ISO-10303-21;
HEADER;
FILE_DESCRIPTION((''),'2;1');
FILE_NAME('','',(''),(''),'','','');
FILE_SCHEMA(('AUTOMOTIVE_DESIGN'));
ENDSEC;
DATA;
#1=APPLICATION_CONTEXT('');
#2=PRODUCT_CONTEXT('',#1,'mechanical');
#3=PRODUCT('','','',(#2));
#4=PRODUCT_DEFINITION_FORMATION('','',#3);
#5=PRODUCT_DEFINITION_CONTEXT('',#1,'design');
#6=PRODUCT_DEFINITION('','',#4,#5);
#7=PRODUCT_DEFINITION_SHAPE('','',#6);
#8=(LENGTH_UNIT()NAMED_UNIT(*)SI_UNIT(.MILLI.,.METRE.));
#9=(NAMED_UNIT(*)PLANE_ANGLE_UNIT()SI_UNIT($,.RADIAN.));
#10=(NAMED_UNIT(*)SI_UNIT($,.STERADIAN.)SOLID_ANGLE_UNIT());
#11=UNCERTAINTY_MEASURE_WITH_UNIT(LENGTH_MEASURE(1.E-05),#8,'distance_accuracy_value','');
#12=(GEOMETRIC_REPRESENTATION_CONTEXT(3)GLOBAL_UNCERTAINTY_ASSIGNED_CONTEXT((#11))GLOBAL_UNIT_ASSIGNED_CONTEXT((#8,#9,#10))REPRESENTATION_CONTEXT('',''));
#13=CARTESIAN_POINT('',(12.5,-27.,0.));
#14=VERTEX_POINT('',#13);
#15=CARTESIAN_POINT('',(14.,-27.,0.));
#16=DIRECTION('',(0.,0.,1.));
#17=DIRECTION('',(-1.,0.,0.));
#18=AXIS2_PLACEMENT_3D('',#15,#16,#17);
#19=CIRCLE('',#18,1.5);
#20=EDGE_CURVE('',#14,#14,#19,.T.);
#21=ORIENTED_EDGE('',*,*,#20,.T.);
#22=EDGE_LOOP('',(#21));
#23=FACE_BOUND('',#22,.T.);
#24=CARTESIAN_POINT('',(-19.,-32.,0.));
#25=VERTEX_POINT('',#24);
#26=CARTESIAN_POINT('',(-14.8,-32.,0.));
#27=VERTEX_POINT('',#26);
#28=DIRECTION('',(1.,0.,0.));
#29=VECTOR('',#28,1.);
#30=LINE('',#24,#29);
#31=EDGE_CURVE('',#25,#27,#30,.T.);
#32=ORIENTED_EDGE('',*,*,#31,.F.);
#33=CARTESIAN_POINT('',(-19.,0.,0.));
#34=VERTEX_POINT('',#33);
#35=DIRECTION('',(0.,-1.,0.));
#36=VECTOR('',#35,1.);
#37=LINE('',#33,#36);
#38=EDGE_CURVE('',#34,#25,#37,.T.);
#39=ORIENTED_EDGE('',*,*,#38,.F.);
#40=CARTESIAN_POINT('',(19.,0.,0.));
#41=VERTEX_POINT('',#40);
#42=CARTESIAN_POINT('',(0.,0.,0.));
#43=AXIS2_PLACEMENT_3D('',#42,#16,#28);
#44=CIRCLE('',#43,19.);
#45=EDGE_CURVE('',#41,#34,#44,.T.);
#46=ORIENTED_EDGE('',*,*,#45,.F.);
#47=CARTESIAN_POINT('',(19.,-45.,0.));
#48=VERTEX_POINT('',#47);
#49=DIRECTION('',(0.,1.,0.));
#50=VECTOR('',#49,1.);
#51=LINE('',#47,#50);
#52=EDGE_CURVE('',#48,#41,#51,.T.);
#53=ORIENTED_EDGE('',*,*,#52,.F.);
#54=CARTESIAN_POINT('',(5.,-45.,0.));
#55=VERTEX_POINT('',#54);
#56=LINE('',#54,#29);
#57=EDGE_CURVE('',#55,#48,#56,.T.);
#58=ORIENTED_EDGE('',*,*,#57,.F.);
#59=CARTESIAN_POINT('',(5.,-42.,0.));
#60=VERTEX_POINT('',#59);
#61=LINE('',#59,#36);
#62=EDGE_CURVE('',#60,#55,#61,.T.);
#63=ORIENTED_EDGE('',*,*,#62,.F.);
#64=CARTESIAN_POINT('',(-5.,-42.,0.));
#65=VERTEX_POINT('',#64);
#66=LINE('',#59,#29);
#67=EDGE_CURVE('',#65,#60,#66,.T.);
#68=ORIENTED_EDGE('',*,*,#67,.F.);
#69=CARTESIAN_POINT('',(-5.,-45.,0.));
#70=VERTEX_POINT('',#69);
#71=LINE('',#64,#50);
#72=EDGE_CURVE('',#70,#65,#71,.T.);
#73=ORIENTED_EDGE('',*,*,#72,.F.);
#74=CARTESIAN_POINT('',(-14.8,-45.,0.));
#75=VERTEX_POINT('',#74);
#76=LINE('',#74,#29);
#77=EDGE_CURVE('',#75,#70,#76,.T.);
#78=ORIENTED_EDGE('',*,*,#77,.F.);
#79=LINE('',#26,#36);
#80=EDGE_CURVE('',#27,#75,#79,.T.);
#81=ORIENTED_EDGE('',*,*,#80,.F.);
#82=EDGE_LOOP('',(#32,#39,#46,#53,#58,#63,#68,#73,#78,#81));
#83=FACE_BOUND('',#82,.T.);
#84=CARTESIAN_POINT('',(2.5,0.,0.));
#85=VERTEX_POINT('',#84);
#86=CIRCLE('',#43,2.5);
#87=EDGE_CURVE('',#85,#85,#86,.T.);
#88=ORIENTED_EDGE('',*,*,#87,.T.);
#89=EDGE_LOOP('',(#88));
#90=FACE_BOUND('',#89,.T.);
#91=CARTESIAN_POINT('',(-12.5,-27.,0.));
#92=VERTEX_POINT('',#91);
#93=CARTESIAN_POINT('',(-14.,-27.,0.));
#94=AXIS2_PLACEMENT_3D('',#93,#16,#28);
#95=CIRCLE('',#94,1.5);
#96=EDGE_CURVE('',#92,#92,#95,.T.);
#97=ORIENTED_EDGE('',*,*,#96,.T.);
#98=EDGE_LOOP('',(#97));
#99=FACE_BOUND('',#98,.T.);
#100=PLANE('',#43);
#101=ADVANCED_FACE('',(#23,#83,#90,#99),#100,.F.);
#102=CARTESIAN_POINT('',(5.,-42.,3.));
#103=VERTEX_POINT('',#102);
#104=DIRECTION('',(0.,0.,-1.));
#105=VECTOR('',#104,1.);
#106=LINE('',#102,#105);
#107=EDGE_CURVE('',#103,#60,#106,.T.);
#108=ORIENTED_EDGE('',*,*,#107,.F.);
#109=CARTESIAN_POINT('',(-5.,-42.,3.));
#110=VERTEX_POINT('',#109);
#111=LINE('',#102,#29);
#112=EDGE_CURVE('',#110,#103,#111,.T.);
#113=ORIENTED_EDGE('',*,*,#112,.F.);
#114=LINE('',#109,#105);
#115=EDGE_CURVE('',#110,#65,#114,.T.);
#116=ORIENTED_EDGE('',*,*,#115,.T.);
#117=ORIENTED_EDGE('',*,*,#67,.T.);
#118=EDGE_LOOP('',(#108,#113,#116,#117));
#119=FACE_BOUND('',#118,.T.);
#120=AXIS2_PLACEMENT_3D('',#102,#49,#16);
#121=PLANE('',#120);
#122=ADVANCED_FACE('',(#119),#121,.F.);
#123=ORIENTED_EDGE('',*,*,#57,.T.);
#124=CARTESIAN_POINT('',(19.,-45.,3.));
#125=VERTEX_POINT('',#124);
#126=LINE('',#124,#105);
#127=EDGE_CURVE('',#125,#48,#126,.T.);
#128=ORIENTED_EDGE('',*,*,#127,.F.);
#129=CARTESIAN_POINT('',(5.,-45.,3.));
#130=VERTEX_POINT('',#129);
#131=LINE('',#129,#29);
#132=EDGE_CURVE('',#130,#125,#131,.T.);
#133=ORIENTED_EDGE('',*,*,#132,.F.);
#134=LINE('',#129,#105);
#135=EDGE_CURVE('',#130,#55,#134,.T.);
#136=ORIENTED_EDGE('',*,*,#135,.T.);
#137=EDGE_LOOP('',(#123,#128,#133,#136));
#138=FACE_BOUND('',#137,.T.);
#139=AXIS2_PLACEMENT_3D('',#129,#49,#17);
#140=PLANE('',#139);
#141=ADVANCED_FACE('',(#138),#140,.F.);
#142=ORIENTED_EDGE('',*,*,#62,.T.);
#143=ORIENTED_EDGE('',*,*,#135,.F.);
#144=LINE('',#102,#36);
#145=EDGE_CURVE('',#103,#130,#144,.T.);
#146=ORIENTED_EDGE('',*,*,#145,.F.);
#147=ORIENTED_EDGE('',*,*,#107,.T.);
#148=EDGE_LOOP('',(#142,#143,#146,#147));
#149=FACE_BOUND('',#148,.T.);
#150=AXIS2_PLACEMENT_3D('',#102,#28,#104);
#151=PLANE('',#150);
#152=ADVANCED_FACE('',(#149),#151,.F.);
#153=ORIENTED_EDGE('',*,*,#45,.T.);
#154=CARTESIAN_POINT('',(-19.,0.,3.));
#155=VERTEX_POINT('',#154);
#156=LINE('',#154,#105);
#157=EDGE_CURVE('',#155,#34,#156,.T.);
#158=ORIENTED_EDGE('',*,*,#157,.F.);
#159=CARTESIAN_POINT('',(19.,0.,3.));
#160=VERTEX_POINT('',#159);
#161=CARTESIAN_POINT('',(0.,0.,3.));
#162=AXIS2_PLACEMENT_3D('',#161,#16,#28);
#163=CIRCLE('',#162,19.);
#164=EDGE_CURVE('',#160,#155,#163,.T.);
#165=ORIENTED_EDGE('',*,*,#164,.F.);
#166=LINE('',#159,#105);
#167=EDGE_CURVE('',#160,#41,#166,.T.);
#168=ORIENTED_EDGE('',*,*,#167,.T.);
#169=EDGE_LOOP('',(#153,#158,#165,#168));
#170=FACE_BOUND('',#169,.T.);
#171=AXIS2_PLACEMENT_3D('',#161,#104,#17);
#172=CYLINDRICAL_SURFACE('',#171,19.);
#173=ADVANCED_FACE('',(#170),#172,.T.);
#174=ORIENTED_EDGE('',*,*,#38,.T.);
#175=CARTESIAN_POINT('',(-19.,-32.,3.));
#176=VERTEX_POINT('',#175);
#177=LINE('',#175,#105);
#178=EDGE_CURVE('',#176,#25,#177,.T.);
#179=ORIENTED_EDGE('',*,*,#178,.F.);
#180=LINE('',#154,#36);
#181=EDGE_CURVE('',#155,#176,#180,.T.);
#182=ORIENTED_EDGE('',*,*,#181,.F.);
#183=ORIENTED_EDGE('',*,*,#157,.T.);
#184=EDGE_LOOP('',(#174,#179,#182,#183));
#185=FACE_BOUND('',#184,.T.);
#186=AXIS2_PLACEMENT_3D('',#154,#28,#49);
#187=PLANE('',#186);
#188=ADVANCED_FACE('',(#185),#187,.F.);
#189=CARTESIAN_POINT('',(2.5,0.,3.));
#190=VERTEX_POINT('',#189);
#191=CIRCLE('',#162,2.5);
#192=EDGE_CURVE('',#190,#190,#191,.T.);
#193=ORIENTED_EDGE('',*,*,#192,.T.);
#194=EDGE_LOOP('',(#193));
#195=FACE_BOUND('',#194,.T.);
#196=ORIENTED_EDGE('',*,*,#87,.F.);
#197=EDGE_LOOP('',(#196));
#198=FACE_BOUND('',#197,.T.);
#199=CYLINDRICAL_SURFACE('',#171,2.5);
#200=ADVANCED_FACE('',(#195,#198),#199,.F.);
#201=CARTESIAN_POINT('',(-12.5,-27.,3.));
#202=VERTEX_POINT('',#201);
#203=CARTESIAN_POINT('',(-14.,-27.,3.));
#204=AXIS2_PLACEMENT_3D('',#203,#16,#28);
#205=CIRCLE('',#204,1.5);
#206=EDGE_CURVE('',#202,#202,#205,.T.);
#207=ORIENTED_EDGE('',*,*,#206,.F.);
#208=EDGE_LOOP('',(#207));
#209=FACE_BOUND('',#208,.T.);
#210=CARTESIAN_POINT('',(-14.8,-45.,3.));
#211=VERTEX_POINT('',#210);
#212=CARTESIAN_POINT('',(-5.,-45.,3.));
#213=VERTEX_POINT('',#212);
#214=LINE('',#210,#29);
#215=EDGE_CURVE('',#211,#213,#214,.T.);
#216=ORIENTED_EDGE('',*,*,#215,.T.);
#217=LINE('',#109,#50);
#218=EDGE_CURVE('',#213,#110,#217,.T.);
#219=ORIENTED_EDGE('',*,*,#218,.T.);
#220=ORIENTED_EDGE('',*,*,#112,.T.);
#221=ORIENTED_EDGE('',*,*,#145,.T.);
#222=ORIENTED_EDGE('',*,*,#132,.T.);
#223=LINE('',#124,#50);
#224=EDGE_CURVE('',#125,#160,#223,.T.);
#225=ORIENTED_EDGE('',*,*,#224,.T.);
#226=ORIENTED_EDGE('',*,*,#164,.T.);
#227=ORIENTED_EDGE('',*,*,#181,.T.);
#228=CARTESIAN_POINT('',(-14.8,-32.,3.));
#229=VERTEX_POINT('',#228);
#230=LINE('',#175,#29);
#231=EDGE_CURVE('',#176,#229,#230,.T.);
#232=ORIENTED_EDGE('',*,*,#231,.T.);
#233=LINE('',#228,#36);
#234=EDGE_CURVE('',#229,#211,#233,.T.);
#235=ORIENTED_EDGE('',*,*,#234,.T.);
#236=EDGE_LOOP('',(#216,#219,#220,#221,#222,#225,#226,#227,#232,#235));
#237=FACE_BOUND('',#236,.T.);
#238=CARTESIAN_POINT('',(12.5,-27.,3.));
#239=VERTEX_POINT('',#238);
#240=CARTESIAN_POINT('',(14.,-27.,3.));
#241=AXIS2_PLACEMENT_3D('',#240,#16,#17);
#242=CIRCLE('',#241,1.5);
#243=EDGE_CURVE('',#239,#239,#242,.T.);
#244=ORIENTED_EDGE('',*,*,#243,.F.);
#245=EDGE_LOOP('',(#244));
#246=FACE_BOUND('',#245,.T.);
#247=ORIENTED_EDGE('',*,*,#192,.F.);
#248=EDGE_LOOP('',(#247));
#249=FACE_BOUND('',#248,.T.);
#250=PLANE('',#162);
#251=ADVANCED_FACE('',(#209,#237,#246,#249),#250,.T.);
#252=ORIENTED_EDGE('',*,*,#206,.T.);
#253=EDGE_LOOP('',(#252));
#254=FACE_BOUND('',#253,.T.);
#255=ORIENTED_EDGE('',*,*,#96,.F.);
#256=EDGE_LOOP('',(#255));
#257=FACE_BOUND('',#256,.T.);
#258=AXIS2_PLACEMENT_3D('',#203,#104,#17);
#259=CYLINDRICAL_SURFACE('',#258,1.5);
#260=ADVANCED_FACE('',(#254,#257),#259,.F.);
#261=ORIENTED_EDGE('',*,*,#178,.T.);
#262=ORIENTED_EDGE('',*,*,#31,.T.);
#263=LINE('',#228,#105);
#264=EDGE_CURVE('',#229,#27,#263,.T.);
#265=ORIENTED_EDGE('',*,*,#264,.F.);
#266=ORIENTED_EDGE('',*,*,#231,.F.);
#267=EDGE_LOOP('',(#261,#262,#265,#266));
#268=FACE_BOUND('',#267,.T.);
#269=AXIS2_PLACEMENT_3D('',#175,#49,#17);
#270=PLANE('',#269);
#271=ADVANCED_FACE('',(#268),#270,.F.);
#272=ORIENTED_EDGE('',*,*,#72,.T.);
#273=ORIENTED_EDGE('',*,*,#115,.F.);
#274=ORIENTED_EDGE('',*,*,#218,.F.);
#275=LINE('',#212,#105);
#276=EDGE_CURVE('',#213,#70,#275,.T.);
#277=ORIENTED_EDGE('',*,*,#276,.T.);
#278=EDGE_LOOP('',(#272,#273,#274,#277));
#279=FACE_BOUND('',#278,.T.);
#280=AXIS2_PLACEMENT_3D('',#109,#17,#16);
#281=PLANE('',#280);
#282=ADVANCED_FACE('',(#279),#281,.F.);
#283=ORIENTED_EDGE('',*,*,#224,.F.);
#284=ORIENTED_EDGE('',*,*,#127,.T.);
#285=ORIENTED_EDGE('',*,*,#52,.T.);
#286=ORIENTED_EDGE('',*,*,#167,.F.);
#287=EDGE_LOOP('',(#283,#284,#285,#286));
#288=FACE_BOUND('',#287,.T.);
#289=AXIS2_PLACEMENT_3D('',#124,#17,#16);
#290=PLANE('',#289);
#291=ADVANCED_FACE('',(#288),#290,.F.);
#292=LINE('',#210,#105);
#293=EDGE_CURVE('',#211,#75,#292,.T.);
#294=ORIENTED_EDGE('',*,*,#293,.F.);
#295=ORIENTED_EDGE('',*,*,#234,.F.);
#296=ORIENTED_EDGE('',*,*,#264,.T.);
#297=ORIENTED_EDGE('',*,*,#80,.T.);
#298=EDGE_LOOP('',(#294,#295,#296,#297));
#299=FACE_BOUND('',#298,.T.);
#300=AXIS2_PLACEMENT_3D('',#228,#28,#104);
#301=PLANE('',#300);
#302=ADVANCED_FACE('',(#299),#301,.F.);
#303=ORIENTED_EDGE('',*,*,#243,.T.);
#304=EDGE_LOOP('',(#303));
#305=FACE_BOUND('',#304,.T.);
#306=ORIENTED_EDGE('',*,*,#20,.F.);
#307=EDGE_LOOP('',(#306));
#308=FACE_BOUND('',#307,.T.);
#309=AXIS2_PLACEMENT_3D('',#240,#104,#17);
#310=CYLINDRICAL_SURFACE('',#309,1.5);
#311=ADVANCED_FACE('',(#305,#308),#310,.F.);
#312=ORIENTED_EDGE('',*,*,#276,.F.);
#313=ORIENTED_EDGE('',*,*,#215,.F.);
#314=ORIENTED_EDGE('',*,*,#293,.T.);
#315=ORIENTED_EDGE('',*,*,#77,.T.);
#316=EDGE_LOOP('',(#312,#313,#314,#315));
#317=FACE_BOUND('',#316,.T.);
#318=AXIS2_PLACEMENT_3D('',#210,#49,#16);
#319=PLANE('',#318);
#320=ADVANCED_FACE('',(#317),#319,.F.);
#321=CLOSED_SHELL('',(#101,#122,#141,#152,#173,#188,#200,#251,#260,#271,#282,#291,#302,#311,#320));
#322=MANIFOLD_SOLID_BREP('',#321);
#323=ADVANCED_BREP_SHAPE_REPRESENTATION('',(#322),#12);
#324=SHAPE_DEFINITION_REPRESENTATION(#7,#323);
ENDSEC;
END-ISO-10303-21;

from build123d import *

# Parameters (mm, degrees)
SKETCH1_R           = 2.5
SKETCH1_R_2         = 1.5
BOSS_EXTRUDE1_DEPTH = 3


with BuildPart() as part:
    # Sketch1 → Boss-Extrude1 (new body)
    with BuildSketch(Plane.XY):
        with BuildLine():
            Line((-19, 0), (-19, -32))
            Line((-19, -32), (-14.8, -32))
            Line((-14.8, -32), (-14.8, -45))
            Line((-14.8, -45), (-5, -45))
            Line((-5, -45), (-5, -42))
            Line((-5, -42), (5, -42))
            Line((5, -42), (5, -45))
            Line((5, -45), (19, -45))
            Line((19, -45), (19, 0))
            ThreePointArc((19, 0), (0, 19), (-19, 0))
        make_face()
        Circle(SKETCH1_R, mode=Mode.SUBTRACT)
        with Locations((-14, -27)):
            Circle(SKETCH1_R_2, mode=Mode.SUBTRACT)
        with Locations(Location((14, -27, 0), (0, 0, 180))):
            Circle(SKETCH1_R_2, mode=Mode.SUBTRACT)
    extrude(amount=BOSS_EXTRUDE1_DEPTH)


solid = part.part
